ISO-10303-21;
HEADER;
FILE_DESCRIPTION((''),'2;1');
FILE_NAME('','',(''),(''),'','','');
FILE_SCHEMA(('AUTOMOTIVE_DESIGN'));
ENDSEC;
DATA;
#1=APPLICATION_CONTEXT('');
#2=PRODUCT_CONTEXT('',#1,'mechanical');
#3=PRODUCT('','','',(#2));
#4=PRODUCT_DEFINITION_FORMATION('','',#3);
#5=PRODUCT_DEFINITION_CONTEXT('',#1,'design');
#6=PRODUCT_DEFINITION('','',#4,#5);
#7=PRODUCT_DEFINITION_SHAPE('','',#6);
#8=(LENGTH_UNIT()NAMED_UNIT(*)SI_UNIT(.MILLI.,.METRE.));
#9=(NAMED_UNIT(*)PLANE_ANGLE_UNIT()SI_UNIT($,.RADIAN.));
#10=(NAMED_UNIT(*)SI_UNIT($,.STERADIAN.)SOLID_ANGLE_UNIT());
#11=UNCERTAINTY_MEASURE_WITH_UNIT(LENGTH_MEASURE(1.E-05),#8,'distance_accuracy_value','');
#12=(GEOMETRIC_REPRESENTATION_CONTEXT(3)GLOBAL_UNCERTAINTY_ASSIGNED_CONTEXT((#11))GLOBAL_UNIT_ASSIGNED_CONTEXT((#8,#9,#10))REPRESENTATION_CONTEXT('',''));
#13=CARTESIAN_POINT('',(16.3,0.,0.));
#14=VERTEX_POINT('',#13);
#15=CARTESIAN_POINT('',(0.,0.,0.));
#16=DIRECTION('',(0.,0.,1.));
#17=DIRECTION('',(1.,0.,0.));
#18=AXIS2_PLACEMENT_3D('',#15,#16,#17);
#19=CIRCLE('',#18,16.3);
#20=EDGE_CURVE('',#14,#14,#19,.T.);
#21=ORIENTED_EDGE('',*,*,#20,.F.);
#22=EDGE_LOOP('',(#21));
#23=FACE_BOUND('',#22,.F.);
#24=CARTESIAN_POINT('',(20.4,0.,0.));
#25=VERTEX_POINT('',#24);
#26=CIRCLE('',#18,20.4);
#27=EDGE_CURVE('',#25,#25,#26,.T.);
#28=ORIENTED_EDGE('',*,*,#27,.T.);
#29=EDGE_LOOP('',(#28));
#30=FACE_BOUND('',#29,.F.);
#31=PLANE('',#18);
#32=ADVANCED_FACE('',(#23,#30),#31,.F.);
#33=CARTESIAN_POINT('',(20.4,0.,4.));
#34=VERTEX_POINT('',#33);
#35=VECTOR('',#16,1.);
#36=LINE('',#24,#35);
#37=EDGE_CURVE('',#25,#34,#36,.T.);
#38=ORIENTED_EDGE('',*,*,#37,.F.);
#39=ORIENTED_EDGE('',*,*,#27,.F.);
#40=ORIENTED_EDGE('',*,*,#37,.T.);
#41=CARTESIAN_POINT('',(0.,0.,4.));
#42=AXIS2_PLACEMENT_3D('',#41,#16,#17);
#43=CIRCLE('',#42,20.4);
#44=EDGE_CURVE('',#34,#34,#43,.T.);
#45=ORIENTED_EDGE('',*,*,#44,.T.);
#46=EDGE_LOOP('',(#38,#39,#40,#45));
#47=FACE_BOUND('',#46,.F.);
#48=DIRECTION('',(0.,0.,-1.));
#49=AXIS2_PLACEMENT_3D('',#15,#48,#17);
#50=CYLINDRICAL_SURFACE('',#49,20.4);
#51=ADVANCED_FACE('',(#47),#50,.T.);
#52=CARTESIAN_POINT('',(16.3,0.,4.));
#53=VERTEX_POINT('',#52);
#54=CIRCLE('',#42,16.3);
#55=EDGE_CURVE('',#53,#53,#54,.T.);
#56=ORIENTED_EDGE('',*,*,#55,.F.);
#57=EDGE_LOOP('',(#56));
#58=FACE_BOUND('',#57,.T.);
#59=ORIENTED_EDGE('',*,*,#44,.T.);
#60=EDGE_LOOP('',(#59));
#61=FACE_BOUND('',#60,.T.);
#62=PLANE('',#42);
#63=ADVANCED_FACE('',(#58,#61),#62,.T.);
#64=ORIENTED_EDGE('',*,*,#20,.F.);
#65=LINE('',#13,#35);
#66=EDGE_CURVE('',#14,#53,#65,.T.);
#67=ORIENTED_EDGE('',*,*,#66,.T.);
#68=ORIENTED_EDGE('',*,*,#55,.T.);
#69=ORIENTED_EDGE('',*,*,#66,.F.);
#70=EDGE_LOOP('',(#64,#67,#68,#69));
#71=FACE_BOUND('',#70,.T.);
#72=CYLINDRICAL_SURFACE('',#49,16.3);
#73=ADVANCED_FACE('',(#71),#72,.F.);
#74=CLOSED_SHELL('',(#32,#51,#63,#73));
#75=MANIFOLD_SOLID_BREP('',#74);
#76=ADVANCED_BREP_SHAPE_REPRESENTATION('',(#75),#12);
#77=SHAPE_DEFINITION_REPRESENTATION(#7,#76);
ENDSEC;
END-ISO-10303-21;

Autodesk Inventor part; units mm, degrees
ref_plane "YZ Plane" through (0, 0, 0) normal (1, 0, 0) x (0, 1, 0)
ref_plane "XZ Plane" through (0, 0, 0) normal (0, 1, 0) x (-1, 0, 0)
ref_plane "XY Plane" through (0, 0, 0) normal (0, 0, 1) x (1, 0, 0)
sketch "草圖1" plane through (0, 0, 0) normal (0, 0, 1) x (1, 0, 0)
  circle A0 centre (0, 0) radius 20.4
  circle A1 centre (0, 0) radius 16.3
  dimension "d0" = 40.8
  dimension "d1" = 32.6
extrude "擠出1" add sketch "草圖1" along normal blind 4
properties part number "環型強力磁鐵"
